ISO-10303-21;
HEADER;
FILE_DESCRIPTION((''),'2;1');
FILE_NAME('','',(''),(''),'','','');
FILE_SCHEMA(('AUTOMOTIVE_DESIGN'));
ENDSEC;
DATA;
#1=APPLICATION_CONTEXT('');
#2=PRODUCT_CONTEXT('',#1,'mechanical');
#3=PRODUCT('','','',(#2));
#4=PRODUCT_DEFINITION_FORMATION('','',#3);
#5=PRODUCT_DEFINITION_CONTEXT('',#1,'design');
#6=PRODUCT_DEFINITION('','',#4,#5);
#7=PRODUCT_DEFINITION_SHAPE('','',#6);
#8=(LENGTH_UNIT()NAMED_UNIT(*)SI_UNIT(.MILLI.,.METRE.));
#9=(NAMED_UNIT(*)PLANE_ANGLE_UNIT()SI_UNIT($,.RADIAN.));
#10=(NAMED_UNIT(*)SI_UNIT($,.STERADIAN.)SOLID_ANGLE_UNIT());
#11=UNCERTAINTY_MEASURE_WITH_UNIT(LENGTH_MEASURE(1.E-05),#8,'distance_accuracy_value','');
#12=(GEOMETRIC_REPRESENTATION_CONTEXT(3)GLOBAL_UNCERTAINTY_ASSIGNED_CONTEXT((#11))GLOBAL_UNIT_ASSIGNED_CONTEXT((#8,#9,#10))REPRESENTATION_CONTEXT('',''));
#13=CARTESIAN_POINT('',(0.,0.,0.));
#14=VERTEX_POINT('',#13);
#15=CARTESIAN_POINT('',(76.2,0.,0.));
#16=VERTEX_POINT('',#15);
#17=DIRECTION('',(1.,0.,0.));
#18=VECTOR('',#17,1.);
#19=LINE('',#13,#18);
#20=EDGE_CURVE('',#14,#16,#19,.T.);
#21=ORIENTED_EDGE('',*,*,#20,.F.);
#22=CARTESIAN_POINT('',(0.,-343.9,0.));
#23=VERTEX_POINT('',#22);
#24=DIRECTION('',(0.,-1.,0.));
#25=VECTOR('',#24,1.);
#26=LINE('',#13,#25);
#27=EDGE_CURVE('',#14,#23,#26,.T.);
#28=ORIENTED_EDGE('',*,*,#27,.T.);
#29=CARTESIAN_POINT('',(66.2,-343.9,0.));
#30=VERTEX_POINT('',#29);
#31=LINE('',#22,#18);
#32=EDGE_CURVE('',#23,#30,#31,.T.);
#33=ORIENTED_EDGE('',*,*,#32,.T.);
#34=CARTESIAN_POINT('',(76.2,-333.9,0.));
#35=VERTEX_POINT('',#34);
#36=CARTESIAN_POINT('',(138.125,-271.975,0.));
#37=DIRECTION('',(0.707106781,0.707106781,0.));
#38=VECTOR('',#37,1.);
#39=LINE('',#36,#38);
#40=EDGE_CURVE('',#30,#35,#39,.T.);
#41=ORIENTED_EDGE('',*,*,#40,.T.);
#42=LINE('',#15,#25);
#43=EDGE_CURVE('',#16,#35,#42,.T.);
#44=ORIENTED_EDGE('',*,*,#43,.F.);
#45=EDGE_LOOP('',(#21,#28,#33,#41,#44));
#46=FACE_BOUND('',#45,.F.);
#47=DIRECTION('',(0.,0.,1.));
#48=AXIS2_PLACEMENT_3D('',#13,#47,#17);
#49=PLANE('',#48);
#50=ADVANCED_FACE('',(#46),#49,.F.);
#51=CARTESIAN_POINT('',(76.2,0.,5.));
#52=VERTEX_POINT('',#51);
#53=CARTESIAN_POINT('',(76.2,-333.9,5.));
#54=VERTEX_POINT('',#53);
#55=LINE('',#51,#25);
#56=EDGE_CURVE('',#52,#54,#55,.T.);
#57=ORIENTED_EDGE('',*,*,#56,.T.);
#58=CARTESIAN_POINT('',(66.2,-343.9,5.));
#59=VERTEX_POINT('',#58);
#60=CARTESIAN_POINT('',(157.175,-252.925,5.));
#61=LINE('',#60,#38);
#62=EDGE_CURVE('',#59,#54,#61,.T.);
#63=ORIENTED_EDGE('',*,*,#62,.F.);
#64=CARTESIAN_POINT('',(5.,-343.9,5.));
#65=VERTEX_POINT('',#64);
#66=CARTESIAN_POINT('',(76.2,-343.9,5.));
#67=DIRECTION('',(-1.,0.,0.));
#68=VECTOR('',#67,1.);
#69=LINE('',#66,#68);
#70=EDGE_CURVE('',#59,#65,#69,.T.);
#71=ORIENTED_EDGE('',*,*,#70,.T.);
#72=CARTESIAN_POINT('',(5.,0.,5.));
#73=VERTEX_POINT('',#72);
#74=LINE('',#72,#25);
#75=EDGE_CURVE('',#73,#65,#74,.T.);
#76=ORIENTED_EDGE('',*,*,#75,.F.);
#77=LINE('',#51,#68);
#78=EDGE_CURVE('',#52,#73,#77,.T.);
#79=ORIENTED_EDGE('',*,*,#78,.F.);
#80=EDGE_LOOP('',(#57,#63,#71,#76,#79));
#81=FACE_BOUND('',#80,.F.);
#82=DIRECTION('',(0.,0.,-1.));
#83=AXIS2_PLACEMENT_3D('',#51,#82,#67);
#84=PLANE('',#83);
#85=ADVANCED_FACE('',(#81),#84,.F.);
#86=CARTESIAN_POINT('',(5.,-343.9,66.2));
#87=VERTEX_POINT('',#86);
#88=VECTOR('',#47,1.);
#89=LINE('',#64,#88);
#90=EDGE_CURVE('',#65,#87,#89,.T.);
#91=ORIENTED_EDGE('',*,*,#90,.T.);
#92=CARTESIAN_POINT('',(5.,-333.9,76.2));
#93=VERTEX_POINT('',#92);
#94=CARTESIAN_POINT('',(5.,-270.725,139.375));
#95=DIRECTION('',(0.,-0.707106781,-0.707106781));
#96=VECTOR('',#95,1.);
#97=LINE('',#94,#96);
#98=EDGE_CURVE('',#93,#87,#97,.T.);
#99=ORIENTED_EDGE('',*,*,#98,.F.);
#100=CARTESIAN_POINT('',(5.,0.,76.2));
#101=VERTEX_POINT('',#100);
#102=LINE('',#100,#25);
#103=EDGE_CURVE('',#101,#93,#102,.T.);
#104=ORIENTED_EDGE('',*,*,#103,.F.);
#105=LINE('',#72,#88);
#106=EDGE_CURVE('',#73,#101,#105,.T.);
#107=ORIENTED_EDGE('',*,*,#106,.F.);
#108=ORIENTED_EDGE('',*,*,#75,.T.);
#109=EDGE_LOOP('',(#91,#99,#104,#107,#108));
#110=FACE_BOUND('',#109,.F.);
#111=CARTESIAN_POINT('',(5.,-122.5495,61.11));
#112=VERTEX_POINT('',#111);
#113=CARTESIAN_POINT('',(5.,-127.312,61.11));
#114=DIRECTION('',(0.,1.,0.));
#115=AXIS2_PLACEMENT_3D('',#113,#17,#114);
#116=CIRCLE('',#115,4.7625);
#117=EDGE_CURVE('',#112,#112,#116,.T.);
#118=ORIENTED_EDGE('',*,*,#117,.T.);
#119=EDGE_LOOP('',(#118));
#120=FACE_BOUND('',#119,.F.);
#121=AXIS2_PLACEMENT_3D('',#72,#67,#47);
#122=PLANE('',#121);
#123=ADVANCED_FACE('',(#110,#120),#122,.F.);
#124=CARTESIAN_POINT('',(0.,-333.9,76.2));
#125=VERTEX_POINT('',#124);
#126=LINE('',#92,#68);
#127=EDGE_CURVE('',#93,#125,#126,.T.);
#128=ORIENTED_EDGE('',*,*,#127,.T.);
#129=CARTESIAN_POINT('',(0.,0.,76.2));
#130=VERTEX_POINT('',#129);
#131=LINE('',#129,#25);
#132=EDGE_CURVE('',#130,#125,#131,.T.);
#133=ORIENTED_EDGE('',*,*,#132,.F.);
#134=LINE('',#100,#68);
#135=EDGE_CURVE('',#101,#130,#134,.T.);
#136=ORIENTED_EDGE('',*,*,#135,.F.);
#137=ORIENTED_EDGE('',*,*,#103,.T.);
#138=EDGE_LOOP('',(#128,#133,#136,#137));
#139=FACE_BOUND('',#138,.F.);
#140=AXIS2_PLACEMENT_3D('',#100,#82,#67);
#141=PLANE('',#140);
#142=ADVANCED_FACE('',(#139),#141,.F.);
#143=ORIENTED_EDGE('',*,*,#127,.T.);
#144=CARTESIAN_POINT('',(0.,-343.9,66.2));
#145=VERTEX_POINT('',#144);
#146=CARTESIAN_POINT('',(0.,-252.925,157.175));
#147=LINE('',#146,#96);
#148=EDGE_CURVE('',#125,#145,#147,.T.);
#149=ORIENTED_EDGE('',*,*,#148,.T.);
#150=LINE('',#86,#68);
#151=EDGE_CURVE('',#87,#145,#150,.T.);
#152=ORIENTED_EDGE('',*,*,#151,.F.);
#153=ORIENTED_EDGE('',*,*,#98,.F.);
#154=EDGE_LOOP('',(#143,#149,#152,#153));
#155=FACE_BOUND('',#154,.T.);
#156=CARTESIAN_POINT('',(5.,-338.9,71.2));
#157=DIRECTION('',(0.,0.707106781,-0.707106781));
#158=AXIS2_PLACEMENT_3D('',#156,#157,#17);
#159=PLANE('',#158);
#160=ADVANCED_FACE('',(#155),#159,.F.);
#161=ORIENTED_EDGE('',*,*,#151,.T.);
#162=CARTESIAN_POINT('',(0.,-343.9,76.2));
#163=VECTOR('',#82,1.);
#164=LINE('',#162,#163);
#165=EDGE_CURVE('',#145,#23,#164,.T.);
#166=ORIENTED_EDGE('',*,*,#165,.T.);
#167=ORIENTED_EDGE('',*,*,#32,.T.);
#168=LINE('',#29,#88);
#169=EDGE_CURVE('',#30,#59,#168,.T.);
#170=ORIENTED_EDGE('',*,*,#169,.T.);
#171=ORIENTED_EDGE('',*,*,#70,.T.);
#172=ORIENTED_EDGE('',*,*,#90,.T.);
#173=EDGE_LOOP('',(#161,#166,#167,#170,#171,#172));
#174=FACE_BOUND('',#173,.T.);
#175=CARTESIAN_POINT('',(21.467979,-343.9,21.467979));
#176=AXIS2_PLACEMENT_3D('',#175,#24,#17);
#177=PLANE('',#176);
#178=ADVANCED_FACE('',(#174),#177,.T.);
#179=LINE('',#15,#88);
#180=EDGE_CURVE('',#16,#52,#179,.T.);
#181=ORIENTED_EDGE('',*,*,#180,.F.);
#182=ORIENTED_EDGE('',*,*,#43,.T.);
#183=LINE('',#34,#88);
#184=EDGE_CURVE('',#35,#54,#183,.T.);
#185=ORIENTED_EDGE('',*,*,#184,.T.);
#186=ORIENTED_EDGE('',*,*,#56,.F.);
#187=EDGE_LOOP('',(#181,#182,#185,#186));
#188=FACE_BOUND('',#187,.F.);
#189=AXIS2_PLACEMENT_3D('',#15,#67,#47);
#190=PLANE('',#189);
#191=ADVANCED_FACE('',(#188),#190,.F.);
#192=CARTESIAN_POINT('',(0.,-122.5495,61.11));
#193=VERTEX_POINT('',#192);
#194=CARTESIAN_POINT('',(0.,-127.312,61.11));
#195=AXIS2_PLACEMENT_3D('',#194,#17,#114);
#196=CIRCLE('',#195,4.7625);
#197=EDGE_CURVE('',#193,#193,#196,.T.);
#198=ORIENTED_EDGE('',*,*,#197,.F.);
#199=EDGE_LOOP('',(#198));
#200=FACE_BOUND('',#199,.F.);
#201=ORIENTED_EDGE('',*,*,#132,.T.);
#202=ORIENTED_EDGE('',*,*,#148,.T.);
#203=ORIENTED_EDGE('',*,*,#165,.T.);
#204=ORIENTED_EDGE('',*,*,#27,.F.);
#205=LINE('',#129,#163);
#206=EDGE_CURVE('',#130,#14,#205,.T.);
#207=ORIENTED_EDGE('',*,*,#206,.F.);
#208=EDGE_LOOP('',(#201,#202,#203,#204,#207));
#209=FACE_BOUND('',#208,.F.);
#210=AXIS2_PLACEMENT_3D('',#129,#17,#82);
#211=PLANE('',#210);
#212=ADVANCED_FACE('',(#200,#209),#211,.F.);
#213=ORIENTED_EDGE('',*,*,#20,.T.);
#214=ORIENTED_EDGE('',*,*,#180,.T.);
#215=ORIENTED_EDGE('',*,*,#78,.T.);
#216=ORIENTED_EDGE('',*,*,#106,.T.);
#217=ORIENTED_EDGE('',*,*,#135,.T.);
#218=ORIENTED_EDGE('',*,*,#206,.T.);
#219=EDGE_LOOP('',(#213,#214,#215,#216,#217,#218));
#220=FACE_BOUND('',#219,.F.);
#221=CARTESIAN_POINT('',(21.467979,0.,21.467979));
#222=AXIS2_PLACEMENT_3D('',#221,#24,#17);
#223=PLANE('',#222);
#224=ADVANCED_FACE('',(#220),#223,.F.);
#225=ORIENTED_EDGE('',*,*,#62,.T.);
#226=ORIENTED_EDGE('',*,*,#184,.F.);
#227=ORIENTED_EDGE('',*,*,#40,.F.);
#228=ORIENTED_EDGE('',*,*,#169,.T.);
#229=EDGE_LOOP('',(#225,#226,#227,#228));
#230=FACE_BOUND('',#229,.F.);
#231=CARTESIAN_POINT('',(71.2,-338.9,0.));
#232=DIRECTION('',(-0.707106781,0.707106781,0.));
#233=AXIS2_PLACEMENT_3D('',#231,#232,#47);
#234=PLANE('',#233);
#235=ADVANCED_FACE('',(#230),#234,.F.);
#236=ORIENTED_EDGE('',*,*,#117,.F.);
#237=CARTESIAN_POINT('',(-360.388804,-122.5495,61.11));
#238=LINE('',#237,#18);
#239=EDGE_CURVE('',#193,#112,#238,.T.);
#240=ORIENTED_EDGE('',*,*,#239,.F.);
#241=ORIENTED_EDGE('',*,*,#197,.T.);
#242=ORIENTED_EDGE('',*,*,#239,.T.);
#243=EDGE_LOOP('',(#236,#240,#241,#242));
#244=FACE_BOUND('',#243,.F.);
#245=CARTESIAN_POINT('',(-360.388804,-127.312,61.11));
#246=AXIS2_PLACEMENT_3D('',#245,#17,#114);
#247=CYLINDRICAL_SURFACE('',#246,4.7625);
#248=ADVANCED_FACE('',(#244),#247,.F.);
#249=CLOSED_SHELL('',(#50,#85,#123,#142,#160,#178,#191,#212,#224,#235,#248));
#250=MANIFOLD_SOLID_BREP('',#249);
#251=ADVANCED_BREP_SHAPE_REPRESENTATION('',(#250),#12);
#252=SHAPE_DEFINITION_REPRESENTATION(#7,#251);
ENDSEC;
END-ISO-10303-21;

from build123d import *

# Parameters (mm, degrees)
F1_DEPTH = 343.9
F3_D     = 9.525
F4_SIZE  = 10


with BuildPart() as f1:
    # F0 (on Front) → F1 (new body)
    with BuildSketch(Plane.XZ):
        Polygon((0, 76.2), (0, 0), (76.2, 0), (76.2, 5), (5, 5), (5, 76.2), align=None)
    extrude(amount=F1_DEPTH)

    # F3 (through all)
    with Locations(Plane(origin=(0, 0, 0), x_dir=(0, -1, 0), z_dir=(-1, 0, 0))):
        with Locations((127.312, 61.11)):
            Hole(F3_D / 2)

    # F4
    f4_edges = [f1.edges().sort_by_distance(p)[0] for p in [
        (76.2, -343.9, 2.5),
        (2.5, -343.9, 76.2),
    ]]
    chamfer(f4_edges, length=F4_SIZE)


solid = f1.part
